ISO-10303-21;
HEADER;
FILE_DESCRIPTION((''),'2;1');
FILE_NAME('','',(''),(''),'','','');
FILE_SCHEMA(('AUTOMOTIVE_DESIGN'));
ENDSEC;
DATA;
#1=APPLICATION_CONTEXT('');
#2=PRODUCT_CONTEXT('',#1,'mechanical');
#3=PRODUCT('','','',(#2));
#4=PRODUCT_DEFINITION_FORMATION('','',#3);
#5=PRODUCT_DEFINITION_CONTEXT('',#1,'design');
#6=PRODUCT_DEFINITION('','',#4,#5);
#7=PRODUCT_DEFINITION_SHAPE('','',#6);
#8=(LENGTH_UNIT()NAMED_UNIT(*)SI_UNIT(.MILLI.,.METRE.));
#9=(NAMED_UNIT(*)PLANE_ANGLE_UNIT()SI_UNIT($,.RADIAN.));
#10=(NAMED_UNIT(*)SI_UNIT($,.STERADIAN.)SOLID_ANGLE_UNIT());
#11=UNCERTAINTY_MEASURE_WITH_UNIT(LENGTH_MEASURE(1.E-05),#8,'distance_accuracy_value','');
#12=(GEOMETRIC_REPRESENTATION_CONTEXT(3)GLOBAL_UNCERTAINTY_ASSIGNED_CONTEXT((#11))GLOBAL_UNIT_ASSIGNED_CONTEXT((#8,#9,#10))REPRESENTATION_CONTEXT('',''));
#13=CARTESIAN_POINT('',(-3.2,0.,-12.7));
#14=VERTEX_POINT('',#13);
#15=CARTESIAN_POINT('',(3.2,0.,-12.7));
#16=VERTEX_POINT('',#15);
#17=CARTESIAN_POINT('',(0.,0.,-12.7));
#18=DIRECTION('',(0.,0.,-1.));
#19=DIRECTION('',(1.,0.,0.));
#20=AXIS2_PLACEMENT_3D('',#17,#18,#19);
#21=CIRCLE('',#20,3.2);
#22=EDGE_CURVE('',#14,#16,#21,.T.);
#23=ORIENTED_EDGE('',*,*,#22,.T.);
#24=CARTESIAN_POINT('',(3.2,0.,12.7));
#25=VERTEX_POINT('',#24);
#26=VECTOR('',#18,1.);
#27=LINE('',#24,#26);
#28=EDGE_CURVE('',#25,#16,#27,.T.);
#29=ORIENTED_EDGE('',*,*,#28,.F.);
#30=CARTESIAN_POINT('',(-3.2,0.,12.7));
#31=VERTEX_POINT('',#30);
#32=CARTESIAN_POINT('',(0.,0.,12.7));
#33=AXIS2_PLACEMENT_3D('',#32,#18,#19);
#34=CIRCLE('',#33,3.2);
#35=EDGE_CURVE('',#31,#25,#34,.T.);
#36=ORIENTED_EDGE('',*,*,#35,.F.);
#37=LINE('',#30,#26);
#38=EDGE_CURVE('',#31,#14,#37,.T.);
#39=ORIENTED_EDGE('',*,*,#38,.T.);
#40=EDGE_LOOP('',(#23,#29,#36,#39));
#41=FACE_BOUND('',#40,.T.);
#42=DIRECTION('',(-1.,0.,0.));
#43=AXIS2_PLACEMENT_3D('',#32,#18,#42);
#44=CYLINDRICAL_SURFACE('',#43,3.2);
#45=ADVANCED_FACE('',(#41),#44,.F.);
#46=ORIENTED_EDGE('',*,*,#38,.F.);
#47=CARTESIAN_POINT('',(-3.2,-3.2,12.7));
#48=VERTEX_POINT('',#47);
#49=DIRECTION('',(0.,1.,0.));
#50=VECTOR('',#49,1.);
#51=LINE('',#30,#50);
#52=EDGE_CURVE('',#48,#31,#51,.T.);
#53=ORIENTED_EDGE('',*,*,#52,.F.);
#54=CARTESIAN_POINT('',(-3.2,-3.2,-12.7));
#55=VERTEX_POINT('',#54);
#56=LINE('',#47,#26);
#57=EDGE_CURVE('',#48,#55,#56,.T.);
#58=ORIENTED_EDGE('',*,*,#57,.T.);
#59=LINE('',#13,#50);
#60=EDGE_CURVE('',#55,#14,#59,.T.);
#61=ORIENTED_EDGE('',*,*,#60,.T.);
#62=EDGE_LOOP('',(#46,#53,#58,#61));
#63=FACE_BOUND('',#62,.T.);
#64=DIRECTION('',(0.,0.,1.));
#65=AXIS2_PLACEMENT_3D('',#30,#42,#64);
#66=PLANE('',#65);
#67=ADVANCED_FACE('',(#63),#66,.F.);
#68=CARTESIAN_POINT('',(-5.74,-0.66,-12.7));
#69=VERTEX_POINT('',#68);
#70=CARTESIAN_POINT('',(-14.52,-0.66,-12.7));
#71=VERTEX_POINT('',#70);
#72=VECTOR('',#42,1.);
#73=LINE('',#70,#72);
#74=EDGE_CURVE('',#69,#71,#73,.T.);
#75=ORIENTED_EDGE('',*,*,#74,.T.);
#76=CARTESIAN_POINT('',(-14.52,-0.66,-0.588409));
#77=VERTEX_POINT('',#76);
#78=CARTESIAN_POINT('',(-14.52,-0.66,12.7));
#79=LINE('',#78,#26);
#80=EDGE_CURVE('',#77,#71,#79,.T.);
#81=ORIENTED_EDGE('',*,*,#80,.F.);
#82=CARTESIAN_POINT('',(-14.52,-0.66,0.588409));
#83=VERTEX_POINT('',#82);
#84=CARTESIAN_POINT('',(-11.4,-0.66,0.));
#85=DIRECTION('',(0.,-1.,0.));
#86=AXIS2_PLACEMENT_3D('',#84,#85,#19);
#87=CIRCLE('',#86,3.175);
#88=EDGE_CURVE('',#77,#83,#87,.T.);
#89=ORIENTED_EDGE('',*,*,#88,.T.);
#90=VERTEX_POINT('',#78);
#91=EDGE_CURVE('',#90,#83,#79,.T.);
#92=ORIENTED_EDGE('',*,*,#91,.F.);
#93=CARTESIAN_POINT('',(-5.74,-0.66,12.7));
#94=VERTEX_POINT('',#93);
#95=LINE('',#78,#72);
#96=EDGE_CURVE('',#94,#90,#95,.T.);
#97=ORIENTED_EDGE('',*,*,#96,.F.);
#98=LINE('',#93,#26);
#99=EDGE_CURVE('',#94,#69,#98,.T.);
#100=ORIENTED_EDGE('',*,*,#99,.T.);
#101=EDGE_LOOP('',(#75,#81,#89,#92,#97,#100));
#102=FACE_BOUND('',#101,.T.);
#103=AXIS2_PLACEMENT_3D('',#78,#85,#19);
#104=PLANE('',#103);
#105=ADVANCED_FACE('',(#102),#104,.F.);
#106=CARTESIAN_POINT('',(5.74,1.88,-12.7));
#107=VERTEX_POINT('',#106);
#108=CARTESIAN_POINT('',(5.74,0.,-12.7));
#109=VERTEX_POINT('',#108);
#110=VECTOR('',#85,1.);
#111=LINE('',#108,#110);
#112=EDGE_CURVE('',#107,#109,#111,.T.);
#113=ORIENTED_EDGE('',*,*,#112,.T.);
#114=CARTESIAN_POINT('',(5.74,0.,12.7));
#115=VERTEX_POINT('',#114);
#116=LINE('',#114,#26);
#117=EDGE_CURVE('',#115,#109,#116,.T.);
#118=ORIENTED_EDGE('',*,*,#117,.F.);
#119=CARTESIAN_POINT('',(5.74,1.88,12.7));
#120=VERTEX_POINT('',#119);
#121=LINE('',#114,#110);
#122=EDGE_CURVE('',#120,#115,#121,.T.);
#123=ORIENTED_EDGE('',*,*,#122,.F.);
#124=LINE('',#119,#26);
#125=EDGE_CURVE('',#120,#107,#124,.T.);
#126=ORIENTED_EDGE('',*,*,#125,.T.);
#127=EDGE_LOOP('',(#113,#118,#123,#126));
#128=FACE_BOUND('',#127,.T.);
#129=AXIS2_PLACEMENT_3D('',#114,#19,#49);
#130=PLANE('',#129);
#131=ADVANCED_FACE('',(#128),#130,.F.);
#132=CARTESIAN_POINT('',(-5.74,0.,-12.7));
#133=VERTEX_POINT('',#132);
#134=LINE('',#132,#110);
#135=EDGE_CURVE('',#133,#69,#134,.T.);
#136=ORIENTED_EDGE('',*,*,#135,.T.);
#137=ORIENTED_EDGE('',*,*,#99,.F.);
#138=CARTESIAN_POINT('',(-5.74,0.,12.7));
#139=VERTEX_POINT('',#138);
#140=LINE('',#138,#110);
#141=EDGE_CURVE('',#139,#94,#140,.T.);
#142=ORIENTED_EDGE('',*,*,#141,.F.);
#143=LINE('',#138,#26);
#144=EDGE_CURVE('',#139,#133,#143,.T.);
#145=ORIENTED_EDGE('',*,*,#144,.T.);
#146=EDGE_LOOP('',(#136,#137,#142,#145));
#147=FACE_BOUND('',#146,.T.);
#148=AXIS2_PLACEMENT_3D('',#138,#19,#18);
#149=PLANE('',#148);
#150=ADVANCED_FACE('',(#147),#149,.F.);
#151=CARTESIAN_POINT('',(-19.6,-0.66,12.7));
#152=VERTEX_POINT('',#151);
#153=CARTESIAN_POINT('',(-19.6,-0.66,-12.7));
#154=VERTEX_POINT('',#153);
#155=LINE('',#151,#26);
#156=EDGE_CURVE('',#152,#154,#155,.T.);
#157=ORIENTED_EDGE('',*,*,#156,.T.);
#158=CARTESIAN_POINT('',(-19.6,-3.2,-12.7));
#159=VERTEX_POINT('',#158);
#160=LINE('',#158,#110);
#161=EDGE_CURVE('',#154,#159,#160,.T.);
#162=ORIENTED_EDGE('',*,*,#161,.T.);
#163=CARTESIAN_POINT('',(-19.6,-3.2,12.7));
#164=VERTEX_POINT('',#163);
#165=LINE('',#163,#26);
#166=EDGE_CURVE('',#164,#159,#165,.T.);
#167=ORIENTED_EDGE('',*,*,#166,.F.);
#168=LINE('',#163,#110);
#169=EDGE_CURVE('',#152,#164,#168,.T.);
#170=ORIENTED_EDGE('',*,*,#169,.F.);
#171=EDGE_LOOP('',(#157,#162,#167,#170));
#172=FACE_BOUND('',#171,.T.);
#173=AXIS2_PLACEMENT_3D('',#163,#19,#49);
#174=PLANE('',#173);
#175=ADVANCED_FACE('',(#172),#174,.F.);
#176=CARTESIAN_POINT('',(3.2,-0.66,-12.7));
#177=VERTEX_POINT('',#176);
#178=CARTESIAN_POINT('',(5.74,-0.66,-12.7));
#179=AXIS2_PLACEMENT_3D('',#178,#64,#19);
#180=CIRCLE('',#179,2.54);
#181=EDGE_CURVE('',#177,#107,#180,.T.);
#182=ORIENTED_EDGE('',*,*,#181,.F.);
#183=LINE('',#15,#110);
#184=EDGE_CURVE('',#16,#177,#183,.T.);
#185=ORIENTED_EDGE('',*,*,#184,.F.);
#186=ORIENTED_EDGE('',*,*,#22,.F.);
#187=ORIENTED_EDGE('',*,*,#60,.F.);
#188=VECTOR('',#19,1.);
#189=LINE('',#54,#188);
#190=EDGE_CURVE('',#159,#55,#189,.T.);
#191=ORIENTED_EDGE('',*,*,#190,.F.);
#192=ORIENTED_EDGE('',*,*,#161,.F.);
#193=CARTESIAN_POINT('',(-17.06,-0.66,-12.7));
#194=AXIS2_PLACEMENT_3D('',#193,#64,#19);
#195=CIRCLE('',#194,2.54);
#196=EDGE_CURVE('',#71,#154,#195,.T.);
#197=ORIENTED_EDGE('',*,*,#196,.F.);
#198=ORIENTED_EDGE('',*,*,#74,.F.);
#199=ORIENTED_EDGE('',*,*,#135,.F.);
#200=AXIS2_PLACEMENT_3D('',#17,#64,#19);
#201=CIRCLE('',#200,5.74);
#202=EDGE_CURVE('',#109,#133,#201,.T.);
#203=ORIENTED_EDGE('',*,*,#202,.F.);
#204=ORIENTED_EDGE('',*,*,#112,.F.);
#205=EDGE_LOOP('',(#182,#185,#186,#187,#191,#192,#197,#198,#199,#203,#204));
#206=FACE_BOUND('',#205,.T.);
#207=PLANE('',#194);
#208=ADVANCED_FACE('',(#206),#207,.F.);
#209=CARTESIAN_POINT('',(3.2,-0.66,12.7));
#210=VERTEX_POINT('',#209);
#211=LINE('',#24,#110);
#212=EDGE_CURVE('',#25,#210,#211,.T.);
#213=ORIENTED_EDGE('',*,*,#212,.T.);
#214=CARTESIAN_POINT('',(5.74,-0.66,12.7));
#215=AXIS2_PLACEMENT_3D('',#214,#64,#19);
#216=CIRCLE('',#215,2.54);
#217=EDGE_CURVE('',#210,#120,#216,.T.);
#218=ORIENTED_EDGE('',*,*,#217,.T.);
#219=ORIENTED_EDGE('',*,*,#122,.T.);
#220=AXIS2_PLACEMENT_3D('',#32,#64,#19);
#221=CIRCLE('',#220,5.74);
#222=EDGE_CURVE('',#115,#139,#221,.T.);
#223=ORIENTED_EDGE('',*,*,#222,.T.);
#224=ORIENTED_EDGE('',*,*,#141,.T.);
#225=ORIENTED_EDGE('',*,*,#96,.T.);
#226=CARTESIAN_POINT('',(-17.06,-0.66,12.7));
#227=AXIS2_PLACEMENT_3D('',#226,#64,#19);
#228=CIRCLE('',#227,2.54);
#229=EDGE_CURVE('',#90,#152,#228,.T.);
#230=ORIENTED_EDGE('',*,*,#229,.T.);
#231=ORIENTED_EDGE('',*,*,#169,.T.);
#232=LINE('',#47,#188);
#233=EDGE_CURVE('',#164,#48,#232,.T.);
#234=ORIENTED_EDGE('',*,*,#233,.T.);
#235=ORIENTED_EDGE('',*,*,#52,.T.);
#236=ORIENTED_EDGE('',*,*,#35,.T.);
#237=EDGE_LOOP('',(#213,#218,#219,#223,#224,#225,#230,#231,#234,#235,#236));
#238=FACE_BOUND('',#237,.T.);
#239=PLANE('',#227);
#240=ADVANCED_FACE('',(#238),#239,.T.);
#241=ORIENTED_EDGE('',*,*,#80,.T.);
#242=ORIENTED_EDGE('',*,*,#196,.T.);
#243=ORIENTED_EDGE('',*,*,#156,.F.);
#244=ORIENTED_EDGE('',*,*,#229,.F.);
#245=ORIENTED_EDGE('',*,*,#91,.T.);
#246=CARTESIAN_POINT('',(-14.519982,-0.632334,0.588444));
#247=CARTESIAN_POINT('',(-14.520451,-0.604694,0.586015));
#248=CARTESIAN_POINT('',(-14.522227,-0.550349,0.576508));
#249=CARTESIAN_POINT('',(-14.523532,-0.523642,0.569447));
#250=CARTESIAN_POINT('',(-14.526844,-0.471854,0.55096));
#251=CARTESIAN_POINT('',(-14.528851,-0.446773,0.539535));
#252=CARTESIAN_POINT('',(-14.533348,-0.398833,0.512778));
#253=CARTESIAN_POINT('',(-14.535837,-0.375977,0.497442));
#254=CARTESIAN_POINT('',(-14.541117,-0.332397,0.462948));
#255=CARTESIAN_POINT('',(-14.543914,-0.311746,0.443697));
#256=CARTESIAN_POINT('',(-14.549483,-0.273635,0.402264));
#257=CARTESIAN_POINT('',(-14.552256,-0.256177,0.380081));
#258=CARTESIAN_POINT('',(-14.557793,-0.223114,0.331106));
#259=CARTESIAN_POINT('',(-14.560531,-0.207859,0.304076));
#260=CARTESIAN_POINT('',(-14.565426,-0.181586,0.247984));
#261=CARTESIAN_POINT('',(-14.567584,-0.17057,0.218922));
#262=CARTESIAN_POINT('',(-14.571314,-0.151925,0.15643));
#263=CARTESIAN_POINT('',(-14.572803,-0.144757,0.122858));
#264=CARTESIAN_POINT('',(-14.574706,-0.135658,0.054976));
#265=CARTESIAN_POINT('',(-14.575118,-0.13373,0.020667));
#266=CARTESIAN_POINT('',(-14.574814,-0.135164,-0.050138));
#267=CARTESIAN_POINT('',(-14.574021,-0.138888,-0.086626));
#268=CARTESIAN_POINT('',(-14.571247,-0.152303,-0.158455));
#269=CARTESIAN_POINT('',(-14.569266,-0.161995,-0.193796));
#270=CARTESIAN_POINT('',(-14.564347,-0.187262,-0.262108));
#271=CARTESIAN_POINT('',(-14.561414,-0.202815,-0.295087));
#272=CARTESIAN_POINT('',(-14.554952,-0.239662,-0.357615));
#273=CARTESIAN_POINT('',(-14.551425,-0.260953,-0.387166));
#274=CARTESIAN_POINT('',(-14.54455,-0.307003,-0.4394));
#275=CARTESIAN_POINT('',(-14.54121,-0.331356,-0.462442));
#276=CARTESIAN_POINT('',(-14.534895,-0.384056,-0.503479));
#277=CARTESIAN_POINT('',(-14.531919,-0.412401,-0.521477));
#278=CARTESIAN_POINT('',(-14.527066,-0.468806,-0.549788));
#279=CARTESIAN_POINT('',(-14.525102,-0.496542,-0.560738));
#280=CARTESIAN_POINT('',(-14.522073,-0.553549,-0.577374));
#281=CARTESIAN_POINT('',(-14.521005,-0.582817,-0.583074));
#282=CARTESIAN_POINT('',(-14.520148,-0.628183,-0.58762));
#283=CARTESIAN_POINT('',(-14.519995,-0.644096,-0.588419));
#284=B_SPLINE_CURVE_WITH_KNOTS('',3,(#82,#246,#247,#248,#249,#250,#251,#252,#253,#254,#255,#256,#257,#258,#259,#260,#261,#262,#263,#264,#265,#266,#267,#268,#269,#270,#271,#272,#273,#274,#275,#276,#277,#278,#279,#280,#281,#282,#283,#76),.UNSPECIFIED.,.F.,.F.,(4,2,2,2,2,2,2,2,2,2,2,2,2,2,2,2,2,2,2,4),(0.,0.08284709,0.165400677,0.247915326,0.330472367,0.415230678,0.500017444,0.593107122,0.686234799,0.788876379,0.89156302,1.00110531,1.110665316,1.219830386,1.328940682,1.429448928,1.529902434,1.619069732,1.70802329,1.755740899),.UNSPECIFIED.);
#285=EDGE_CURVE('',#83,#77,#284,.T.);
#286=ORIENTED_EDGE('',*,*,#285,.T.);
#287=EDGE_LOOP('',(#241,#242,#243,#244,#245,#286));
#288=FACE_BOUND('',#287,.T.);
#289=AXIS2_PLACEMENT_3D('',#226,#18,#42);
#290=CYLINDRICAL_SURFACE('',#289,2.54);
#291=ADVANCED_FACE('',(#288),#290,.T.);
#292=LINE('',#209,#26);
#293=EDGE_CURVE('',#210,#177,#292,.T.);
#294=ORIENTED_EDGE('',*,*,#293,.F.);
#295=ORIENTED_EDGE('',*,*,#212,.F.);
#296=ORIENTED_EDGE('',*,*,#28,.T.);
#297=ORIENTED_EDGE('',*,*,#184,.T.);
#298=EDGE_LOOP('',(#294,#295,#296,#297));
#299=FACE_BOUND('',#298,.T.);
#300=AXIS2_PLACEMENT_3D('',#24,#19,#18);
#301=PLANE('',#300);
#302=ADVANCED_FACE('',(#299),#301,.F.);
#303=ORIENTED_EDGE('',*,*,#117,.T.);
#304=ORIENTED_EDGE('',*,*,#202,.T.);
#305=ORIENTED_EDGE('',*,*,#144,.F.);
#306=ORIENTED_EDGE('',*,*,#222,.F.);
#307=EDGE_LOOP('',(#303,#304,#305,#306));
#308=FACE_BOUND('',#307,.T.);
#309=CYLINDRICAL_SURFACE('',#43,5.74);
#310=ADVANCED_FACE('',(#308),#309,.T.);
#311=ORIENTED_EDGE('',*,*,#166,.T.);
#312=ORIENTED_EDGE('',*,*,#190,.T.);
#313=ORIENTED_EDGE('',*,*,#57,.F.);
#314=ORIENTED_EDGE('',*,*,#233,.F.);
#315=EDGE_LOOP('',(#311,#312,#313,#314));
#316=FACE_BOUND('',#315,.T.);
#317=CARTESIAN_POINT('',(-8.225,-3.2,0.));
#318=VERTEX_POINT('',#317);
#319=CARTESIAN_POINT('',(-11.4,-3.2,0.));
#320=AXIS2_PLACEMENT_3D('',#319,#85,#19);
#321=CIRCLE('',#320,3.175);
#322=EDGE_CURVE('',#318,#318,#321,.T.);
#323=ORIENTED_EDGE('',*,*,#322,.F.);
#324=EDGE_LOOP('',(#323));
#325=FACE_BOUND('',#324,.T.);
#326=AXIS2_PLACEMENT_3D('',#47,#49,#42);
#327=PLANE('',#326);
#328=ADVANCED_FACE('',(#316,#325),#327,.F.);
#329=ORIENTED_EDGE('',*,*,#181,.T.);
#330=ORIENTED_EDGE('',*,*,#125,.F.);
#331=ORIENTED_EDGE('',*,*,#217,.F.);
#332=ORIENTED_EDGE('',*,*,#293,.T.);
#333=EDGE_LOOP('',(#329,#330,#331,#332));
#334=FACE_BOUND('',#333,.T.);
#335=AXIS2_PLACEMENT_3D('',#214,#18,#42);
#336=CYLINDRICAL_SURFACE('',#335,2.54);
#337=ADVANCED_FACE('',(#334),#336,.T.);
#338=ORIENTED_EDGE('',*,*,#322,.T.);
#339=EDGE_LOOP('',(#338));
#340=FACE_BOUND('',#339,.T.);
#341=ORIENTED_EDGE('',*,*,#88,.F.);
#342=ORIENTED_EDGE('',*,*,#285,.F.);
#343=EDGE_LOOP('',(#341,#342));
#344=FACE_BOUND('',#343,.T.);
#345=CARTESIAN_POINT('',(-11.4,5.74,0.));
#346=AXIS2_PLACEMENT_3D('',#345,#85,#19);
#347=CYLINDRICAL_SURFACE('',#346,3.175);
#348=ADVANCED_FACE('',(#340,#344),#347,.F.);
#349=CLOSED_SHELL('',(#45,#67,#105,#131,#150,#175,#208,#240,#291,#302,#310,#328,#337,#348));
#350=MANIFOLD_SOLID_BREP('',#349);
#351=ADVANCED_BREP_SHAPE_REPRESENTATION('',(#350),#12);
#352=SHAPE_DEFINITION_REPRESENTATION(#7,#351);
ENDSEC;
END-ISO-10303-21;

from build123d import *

# Parameters (mm, degrees)
BASE_EXTRUDE_DEPTH = 12.7
SKETCH9_R          = 3.175
CUT_EXTRUDE1_DEPTH = 26.007470884


with BuildPart() as part:
    # Sketch1 → Base-Extrude (new, symmetric)
    with BuildSketch(Plane.XY):
        with BuildLine():
            Line((-14.52, -0.66), (-5.74, -0.66))
            Line((-5.74, -0.66), (-5.74, 0))
            ThreePointArc((-5.74, 0), (0, 5.74), (5.74, 0))
            Line((5.74, 0), (5.74, 1.88))
            ThreePointArc((5.74, 1.88), (7.536051224, -2.456051224), (3.2, -0.66))
            Line((3.2, -0.66), (3.2, 0))
            ThreePointArc((3.2, 0), (0, 3.2), (-3.2, 0))
            Line((-3.2, 0), (-3.2, -3.2))
            Line((-3.2, -3.2), (-19.6, -3.2))
            Line((-19.6, -3.2), (-19.6, -0.66))
            ThreePointArc((-19.6, -0.66), (-17.06, 1.88), (-14.52, -0.66))
        make_face()
    extrude(amount=BASE_EXTRUDE_DEPTH, both=True)

    # Sketch9 → Cut-Extrude1 (cut, through all)
    with BuildSketch(Plane.XZ.offset(3.2)):
        with Locations((-11.4, 0)):
            Circle(SKETCH9_R)
    extrude(amount=-CUT_EXTRUDE1_DEPTH, mode=Mode.SUBTRACT)


solid = part.part
